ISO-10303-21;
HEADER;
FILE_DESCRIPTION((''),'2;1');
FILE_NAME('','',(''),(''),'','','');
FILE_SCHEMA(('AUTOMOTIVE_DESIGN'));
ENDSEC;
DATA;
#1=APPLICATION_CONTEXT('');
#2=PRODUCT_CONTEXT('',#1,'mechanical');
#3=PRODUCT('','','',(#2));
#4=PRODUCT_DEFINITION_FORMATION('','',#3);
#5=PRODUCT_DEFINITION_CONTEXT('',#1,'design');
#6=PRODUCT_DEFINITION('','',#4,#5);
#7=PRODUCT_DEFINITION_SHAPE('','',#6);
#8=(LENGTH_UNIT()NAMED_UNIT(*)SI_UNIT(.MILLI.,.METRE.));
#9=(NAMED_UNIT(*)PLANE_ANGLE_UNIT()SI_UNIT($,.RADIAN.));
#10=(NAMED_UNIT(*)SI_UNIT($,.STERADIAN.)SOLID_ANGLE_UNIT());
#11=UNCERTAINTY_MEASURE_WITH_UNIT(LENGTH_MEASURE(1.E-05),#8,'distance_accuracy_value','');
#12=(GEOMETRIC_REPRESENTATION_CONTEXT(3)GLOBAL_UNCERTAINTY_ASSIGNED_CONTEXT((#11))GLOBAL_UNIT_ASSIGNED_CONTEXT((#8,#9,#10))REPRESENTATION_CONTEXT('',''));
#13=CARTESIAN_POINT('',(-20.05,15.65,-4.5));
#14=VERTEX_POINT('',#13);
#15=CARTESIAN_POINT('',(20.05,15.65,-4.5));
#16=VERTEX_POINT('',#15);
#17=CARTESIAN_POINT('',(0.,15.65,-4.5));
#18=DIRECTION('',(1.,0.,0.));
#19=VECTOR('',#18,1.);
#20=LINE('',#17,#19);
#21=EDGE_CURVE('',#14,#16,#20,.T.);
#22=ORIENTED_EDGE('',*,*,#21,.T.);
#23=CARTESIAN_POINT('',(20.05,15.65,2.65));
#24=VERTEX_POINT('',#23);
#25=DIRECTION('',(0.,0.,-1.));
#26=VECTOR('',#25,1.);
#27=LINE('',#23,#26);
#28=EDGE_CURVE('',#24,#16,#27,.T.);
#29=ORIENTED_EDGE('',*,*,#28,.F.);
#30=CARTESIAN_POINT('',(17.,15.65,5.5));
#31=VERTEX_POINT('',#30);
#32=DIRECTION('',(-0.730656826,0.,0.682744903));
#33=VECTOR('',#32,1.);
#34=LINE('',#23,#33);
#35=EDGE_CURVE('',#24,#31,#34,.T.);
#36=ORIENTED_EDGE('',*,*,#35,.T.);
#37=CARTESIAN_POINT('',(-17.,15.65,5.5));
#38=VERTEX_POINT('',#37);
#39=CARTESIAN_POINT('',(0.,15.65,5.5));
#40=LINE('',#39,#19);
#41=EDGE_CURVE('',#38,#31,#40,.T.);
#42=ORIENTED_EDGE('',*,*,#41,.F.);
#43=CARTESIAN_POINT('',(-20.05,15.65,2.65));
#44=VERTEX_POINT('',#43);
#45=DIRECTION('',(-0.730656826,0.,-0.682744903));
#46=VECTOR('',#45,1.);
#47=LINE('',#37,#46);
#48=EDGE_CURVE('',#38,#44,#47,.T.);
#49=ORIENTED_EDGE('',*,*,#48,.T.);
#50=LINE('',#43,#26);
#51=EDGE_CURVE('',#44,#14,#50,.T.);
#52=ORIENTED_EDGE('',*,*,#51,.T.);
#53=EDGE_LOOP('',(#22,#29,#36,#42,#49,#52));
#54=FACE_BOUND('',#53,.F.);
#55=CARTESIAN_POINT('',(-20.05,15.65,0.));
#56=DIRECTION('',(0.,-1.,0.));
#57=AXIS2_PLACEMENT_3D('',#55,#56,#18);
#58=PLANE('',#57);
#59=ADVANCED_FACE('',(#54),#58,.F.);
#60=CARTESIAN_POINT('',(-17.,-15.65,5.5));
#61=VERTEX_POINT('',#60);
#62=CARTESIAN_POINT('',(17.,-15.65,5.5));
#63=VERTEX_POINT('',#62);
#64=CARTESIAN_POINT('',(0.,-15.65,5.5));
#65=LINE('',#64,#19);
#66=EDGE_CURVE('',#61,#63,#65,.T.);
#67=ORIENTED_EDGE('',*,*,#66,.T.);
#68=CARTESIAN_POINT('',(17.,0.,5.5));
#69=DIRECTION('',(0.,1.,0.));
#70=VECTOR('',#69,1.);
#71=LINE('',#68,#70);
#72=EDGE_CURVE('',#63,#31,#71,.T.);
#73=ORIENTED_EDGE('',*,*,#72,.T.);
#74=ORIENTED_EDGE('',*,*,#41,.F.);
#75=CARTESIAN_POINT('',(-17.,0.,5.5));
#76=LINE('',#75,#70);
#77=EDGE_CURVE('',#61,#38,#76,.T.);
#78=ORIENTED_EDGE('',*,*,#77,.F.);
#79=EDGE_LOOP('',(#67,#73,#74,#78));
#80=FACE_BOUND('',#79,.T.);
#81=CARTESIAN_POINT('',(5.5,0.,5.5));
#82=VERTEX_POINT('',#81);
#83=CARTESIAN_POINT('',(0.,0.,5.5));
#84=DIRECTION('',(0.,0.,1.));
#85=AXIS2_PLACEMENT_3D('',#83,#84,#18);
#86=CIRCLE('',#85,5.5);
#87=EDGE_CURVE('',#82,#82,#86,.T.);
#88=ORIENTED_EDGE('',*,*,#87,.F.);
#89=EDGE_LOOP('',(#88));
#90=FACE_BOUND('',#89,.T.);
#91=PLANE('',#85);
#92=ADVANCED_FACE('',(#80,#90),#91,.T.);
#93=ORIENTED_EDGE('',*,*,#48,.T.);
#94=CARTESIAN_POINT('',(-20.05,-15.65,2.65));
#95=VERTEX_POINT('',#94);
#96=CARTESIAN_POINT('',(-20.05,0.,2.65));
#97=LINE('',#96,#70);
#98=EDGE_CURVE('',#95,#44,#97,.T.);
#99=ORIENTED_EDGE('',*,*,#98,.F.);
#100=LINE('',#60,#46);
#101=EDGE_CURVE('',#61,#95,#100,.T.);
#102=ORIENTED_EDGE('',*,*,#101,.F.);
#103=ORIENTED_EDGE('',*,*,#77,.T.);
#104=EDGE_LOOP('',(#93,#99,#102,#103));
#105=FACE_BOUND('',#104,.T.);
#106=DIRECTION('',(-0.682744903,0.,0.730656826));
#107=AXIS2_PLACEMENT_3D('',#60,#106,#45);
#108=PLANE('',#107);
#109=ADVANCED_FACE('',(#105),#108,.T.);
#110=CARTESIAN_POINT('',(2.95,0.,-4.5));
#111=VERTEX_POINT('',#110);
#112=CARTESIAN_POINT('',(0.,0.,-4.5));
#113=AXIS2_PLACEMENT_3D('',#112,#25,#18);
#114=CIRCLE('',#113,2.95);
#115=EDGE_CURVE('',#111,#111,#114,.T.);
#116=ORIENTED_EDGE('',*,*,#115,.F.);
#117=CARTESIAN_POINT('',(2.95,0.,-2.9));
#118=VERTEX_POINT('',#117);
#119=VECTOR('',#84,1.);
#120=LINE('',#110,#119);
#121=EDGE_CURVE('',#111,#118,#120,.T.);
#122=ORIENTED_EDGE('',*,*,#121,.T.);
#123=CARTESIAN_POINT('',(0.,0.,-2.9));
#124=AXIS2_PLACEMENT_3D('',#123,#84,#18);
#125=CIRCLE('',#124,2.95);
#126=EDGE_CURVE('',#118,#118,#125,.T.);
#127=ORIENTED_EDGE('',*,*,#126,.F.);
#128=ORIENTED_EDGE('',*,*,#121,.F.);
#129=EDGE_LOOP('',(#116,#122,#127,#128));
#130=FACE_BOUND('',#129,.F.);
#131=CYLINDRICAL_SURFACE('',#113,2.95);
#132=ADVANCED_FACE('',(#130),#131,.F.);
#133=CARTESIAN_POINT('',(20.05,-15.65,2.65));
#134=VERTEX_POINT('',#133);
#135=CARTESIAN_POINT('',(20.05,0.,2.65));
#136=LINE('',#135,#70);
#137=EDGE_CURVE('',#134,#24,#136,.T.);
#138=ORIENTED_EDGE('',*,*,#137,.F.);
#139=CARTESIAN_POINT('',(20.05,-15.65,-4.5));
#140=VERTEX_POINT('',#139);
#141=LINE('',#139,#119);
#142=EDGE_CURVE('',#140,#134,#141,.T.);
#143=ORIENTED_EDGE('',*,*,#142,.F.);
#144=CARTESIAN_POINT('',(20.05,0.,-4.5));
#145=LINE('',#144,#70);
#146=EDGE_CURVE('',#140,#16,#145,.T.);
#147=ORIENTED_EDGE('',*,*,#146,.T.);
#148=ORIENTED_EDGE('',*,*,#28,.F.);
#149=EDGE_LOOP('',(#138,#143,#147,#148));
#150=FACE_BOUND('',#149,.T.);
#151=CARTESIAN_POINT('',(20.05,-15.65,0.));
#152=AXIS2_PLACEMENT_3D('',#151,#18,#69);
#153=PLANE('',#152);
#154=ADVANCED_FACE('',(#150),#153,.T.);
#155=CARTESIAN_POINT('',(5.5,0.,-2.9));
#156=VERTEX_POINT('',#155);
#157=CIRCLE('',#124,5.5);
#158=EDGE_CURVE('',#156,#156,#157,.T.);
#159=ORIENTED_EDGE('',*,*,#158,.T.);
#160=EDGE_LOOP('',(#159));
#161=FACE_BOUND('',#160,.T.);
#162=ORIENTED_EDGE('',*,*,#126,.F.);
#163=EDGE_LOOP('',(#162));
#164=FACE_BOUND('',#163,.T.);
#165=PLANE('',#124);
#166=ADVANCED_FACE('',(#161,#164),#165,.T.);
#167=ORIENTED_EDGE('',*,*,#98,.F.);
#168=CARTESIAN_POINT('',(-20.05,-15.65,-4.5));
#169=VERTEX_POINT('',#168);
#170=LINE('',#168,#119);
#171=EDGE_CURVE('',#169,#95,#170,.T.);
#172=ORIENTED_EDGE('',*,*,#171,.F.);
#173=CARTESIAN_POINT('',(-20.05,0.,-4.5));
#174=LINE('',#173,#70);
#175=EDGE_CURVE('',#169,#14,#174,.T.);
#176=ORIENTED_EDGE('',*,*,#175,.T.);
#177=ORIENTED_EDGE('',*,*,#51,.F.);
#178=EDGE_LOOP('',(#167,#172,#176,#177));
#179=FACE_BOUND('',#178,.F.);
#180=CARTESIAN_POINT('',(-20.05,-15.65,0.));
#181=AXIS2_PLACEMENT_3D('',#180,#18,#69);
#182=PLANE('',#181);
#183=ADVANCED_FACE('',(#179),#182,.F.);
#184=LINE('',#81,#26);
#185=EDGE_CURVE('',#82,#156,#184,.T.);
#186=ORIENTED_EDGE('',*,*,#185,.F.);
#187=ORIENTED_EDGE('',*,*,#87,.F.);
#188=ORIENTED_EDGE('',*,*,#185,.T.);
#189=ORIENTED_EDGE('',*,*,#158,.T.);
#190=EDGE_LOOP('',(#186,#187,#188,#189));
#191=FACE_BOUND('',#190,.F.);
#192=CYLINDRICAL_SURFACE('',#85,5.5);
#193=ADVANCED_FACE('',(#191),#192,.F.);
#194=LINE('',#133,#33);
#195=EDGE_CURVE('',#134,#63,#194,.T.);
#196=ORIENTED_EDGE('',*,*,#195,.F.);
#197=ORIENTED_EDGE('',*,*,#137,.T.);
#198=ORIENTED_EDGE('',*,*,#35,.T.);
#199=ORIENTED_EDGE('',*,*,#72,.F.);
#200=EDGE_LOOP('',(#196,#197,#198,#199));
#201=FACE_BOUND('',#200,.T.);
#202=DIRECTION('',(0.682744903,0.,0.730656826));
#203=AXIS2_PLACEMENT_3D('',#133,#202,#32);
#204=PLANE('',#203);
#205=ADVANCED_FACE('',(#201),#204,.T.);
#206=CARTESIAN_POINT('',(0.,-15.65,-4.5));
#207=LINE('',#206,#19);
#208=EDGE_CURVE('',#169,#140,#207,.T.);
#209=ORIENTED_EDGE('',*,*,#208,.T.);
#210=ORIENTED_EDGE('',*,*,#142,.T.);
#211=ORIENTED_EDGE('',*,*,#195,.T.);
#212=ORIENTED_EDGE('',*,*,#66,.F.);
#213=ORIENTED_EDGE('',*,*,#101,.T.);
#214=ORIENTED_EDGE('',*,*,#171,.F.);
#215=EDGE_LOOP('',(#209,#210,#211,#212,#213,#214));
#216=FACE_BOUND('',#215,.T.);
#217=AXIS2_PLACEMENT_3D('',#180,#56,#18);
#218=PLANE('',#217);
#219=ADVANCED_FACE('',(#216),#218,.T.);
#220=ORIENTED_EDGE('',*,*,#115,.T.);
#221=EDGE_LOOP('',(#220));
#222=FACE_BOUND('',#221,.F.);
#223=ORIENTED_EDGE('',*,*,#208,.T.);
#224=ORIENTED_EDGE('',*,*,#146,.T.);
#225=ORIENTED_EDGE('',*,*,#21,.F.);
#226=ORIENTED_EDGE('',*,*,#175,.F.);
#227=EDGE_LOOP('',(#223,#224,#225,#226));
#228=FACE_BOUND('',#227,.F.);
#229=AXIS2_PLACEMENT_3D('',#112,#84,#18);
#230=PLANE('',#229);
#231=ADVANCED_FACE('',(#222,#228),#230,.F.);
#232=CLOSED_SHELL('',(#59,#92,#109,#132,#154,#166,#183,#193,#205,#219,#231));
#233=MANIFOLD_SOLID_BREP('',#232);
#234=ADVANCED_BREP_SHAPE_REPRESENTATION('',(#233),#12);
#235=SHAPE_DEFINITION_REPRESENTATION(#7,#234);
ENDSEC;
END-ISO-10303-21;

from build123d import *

# Parameters (mm, degrees)
F0_W      = 40.1
F0_H      = 31.3
F1_DEPTH  = 2.65
F2_W      = 34
F2_H      = 31.3
F3_DEPTH  = 2.85
F5_DEPTH  = 31.3
F6_DEPTH  = 4.5
F7_R      = 2.95
F8_DEPTH  = 25
F9_R      = 5.5
F9_R_2    = 2.95
F10_DEPTH = 8.4


with BuildPart() as f1:
    # F0 (on Top) → F1 (new body)
    with BuildSketch(Plane.XY):
        Rectangle(F0_W, F0_H)
    extrude(amount=F1_DEPTH)

    # F2 (on face) → F3 (join)
    with BuildSketch(Plane.XY.offset(2.65)):
        Rectangle(F2_W, F2_H)
    extrude(amount=F3_DEPTH)

    # F4 (on face) → F5 (join)
    with BuildSketch(Plane.XZ.offset(15.65)):
        Polygon((20.05, 2.65), (17, 5.5), (17, 2.65), align=None)
        Polygon((-17, 5.5), (-20.05, 2.65), (-17, 2.65), align=None)
    extrude(amount=-F5_DEPTH)

    # F6 (add): a face of the model
    f6_faces = [f1.faces().sort_by_distance(p)[0] for p in [
        (0, 0, 0),
    ]]
    extrude(f6_faces, amount=F6_DEPTH)

    # F7 (on face) → F8 (cut)
    with BuildSketch(Plane(origin=(0, 0, -4.5), x_dir=(1, 0, 0), z_dir=(0, 0, -1))):
        Circle(F7_R)
    extrude(amount=-F8_DEPTH, mode=Mode.SUBTRACT)

    # F9 (on face) → F10 (cut)
    with BuildSketch(Plane.XY.offset(5.5)):
        Circle(F9_R)
        Circle(F9_R_2, mode=Mode.SUBTRACT)
    extrude(amount=-F10_DEPTH, mode=Mode.SUBTRACT)


solid = f1.part
